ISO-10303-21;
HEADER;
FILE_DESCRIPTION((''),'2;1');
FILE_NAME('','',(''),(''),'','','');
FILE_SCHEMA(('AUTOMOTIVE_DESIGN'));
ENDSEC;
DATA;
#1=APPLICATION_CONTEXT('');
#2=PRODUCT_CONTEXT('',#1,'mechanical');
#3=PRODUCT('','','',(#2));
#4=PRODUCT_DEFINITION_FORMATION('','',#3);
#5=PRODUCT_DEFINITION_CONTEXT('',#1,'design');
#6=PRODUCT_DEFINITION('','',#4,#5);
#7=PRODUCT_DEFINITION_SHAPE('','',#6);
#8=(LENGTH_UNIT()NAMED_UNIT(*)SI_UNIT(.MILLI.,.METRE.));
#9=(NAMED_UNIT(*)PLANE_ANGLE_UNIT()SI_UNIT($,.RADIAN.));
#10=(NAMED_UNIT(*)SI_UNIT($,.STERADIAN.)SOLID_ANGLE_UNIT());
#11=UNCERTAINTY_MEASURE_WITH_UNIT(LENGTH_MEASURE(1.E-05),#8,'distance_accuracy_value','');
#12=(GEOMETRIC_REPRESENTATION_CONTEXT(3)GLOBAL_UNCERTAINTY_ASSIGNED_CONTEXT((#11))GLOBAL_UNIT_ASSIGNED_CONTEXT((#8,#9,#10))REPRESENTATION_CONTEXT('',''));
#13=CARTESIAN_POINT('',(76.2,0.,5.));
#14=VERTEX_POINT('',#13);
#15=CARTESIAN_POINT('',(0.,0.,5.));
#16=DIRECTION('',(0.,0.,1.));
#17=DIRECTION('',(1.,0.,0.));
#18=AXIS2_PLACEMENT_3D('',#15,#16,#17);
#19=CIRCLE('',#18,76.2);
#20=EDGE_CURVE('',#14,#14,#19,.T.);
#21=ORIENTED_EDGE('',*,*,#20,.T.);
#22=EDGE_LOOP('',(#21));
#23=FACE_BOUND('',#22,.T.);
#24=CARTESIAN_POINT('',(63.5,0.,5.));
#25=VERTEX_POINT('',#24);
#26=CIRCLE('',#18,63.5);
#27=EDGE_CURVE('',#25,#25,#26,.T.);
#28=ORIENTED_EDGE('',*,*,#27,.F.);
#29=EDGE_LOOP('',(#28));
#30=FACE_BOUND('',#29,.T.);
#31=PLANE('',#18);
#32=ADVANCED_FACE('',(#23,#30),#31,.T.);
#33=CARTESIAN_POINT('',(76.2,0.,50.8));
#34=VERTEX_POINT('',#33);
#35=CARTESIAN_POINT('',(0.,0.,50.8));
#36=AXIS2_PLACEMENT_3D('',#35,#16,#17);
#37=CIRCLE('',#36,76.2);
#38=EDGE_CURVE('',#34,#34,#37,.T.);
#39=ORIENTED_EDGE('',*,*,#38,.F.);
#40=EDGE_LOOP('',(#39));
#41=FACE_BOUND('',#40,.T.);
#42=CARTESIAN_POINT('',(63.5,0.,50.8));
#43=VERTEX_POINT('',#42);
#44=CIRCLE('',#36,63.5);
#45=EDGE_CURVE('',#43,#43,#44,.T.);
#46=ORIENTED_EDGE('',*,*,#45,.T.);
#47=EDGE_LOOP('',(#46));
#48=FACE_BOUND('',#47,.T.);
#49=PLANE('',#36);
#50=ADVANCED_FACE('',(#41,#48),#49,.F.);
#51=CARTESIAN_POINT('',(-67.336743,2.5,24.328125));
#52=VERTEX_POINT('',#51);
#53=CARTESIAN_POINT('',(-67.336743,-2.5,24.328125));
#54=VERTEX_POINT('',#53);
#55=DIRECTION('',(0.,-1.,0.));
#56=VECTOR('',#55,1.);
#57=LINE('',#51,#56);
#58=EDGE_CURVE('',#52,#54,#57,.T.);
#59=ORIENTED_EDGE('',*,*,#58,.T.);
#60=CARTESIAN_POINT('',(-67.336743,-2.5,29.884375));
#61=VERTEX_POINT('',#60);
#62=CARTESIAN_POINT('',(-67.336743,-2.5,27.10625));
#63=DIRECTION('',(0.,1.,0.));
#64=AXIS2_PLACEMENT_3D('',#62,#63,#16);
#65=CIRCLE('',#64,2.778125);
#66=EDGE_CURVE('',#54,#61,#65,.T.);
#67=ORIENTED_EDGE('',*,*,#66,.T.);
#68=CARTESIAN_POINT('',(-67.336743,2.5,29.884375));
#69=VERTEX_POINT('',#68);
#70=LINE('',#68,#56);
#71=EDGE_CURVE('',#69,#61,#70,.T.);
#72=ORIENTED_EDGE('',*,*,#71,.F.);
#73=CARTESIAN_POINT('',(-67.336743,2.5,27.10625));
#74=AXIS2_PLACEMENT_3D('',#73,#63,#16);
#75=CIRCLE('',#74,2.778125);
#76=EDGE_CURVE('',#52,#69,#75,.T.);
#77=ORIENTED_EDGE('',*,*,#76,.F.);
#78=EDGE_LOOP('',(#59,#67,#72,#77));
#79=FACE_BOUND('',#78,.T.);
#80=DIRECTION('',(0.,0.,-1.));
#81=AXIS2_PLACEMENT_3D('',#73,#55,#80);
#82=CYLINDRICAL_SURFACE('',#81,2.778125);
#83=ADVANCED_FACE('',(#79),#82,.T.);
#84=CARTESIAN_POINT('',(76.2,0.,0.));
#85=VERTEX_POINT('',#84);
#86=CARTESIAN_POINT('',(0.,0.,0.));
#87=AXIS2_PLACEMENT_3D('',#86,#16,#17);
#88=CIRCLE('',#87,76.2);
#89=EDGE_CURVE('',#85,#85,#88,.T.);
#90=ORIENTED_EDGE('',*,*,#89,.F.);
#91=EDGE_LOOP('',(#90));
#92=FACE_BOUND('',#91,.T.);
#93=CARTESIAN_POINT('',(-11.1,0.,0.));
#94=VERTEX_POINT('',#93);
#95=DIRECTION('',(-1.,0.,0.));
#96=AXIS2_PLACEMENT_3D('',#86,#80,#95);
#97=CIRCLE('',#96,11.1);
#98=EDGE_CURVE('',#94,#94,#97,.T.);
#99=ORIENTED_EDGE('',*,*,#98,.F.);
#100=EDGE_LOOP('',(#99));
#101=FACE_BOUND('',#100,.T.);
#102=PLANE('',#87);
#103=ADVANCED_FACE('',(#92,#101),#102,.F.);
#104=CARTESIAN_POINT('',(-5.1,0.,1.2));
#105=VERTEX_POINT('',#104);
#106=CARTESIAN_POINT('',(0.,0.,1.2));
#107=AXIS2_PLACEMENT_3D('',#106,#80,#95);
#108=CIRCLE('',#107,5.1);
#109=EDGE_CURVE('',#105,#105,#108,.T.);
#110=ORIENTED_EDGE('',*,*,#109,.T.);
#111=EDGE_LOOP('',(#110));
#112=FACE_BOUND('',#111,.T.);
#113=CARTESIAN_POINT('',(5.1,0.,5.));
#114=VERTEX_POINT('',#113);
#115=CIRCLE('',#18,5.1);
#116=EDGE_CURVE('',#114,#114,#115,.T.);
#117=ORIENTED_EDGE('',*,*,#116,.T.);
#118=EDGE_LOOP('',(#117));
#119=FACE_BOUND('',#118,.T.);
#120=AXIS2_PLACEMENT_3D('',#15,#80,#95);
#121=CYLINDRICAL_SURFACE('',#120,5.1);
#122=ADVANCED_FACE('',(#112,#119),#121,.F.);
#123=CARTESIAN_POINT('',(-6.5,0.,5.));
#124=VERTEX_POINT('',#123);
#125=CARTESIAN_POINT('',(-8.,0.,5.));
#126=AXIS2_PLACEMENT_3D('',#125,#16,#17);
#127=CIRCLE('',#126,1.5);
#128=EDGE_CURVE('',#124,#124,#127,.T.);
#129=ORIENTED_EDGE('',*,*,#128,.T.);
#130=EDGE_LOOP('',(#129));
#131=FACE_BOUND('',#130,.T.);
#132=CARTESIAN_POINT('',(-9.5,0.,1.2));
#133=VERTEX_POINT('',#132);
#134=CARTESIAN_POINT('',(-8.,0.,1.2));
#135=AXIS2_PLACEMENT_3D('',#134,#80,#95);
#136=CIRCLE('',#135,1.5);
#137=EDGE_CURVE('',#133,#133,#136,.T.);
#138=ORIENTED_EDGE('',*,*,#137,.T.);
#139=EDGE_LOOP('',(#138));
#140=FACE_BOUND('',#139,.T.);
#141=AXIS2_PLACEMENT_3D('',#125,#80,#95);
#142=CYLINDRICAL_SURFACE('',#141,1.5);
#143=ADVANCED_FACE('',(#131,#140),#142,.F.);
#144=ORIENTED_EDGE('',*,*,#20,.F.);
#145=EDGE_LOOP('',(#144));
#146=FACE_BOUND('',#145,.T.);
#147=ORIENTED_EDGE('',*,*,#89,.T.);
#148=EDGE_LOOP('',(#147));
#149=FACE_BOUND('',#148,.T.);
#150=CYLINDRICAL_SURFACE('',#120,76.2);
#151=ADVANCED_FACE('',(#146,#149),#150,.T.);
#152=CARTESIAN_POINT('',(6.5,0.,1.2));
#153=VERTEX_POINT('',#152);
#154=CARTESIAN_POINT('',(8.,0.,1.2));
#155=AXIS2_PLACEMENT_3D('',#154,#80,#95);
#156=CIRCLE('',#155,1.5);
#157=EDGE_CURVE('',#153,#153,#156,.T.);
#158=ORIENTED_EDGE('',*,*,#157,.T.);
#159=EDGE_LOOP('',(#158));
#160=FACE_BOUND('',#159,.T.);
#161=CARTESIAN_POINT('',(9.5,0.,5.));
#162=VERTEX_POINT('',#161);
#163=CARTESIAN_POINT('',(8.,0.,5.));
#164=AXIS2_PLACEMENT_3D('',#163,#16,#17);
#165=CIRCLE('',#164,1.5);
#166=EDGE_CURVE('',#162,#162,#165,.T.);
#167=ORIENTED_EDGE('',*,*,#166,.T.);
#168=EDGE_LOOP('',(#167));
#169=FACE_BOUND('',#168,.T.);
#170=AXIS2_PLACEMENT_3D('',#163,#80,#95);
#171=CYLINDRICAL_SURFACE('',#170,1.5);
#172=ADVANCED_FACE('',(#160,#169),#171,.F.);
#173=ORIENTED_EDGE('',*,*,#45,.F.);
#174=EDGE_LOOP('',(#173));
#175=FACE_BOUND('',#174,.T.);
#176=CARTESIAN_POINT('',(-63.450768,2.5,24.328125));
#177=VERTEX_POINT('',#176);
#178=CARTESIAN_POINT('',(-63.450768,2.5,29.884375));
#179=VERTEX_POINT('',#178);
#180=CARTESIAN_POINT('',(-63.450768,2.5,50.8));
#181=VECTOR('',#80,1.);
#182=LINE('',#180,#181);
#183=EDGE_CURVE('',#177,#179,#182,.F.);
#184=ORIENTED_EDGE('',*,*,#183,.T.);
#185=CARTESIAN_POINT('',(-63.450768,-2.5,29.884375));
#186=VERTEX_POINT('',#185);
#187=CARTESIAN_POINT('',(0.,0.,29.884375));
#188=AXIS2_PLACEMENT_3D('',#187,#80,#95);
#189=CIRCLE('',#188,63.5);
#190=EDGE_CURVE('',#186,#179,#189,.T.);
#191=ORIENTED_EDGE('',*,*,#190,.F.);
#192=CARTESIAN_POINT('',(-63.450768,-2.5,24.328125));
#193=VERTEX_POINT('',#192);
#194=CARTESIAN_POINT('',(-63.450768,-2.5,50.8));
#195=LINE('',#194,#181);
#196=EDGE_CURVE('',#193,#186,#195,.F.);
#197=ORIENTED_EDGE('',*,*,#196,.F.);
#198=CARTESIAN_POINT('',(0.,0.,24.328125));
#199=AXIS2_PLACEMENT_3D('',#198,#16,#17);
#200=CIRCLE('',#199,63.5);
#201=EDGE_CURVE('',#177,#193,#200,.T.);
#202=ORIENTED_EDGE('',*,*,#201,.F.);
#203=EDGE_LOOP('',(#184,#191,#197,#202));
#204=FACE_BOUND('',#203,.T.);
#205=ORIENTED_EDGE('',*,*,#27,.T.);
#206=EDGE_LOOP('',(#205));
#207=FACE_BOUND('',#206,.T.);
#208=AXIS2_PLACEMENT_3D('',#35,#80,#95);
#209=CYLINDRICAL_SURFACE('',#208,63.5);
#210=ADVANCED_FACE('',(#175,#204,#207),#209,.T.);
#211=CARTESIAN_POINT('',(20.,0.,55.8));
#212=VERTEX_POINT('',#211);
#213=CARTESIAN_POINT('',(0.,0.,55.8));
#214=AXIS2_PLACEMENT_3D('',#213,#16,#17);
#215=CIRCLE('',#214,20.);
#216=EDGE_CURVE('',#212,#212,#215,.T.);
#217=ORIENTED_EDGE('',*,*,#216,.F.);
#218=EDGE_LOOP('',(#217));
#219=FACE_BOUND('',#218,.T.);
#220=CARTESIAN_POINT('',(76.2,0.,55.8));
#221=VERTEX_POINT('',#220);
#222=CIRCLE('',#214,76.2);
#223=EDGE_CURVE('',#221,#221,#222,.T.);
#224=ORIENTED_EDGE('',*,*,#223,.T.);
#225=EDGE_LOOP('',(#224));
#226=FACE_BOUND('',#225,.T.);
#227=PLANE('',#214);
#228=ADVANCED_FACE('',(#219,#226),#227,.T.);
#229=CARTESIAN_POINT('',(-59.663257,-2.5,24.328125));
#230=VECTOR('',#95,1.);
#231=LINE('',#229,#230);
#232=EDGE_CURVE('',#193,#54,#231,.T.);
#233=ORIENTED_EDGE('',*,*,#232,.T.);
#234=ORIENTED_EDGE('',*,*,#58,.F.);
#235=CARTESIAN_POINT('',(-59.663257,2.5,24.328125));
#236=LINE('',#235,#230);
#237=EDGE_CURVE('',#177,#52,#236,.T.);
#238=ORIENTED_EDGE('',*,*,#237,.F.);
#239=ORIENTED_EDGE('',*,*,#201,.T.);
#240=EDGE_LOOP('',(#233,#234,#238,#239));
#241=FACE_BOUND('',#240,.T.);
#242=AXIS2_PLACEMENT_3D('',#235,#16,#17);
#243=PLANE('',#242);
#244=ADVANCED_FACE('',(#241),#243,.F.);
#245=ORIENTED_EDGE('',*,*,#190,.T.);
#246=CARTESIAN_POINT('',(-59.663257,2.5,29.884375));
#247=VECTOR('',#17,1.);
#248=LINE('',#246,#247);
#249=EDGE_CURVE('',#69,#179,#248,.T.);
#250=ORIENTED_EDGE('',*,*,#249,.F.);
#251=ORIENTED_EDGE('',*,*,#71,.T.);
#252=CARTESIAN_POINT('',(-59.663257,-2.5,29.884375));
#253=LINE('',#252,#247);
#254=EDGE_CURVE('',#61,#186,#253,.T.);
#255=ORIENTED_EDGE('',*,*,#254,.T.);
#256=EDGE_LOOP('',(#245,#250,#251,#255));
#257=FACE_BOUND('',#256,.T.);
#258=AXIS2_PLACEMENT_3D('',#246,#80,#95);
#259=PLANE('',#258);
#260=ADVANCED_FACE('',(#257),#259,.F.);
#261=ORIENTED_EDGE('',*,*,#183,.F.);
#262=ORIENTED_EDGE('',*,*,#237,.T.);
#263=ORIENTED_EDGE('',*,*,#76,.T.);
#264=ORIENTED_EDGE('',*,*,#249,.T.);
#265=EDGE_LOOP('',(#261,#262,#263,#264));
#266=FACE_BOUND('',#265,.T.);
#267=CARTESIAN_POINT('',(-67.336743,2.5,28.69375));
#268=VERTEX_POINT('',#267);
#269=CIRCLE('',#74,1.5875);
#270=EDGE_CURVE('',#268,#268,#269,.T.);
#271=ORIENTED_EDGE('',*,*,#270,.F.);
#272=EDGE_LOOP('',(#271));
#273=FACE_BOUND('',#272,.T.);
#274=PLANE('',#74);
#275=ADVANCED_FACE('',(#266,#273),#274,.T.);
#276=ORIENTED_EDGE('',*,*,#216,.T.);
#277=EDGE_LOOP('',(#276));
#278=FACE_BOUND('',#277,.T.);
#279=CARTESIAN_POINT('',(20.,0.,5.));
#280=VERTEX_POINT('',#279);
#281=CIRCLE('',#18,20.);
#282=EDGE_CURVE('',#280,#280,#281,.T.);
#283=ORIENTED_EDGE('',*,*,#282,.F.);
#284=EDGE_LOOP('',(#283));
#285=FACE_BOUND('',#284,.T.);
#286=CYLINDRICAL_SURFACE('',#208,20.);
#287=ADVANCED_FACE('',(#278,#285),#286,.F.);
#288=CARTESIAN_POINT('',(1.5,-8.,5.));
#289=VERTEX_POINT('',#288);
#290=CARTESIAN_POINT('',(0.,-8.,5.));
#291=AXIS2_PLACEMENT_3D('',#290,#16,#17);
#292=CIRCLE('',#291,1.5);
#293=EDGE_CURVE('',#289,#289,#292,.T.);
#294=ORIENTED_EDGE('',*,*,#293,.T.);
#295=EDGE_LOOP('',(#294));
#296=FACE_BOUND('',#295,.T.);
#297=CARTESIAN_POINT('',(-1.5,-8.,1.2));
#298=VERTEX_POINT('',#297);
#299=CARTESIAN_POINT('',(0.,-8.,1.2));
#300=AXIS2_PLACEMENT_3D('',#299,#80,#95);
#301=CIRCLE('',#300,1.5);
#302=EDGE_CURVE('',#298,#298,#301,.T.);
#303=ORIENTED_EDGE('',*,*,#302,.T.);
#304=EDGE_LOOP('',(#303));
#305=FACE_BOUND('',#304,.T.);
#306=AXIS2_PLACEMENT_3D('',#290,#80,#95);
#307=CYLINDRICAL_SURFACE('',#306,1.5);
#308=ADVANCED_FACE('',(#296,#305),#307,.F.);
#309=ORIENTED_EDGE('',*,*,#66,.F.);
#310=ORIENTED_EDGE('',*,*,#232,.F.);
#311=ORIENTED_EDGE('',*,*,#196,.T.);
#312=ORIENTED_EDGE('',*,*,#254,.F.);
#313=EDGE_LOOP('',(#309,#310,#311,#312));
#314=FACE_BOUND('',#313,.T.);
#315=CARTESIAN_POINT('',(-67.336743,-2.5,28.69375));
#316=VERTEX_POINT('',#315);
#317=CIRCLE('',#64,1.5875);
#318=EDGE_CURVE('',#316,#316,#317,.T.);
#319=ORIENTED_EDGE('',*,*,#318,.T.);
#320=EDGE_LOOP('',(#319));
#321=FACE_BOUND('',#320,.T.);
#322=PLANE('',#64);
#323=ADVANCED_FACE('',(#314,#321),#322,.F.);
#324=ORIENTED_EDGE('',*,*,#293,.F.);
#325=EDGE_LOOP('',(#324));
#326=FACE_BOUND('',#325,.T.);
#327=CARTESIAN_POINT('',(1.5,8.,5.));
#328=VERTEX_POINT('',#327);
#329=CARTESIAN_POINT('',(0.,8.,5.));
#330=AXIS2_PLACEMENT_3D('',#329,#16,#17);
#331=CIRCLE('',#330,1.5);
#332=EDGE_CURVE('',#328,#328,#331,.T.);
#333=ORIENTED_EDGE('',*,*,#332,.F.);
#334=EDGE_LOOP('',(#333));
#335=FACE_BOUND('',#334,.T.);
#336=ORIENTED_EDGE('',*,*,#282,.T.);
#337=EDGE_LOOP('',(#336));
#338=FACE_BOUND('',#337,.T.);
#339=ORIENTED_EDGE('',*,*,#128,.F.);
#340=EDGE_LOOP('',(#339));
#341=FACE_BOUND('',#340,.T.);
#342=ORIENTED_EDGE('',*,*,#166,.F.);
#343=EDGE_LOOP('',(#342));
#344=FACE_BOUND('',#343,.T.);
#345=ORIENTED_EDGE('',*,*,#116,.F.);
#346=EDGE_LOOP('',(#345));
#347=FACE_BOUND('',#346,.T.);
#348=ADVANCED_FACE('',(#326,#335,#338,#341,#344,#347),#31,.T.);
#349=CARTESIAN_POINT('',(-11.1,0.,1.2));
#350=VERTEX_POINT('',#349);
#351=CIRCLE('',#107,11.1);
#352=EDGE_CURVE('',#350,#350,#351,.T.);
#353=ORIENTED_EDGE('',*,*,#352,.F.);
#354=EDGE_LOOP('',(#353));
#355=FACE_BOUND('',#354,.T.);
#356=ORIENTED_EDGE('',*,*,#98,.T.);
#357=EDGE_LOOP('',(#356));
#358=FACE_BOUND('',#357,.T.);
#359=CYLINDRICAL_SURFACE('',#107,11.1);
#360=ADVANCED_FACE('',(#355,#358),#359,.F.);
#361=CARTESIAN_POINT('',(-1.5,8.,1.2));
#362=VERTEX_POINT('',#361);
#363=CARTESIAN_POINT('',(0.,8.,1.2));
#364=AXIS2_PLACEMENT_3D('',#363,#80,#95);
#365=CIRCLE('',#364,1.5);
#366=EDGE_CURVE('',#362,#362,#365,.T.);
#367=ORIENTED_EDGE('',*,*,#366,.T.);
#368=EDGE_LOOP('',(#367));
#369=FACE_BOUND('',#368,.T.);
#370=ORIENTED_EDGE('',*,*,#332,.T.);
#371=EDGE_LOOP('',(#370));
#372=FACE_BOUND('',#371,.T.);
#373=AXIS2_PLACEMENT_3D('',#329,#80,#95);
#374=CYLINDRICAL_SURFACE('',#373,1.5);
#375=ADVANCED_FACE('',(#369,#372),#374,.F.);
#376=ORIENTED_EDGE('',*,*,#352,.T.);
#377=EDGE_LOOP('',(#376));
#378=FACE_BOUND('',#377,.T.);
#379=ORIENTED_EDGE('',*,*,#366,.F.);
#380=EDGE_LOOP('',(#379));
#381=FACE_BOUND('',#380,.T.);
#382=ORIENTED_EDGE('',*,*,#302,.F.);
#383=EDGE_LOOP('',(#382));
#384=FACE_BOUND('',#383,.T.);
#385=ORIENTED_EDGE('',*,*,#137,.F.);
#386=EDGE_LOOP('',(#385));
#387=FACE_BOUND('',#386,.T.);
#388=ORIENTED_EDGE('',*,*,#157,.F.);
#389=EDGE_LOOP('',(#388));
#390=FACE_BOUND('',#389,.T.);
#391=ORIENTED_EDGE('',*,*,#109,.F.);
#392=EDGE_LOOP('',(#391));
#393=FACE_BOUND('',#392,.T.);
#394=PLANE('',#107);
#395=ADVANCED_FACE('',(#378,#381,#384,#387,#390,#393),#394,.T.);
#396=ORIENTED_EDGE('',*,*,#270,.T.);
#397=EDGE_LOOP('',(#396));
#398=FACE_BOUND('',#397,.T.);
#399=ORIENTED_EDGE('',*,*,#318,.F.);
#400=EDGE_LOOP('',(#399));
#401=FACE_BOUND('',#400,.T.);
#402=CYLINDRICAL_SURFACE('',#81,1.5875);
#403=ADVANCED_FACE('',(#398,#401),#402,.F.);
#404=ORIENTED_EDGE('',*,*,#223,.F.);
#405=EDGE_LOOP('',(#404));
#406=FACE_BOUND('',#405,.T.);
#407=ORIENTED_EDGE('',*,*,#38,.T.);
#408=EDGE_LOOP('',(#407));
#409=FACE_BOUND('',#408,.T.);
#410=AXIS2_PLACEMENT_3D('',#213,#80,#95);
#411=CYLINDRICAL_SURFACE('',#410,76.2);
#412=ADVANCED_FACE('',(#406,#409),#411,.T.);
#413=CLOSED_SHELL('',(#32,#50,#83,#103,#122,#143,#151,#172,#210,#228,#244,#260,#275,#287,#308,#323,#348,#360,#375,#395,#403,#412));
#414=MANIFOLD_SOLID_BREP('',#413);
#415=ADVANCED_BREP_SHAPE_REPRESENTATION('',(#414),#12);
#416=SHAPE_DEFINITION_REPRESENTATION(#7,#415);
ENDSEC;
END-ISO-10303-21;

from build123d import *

# Parameters (mm, degrees)
SKETCH1_R           = 63.5
SKETCH1_R_2         = 20
BOSS_EXTRUDE1_DEPTH = 50.8
SKETCH3_R           = 76.2
SKETCH3_R_2         = 5.1
SKETCH3_R_3         = 1.5
BOSS_EXTRUDE2_DEPTH = 5
SKETCH4_R           = 76.2
SKETCH4_R_2         = 20
BOSS_EXTRUDE3_DEPTH = 5
SKETCH5_R           = 11.1
CUT_EXTRUDE1_DEPTH  = 1.2
SKETCH6_R           = 1.5875
BOSS_EXTRUDE4_DEPTH = 2.5


with BuildPart() as part:
    # Sketch1 → Boss-Extrude1 (new body)
    with BuildSketch(Plane.XY):
        Circle(SKETCH1_R)
        Circle(SKETCH1_R_2, mode=Mode.SUBTRACT)
    extrude(amount=BOSS_EXTRUDE1_DEPTH)

    # Sketch3 → Boss-Extrude2 (add)
    with BuildSketch(Plane.XY):
        Circle(SKETCH3_R)
        Circle(SKETCH3_R_2, mode=Mode.SUBTRACT)
        with Locations((0, 8)):
            Circle(SKETCH3_R_3, mode=Mode.SUBTRACT)
        with Locations((8, 0)):
            Circle(SKETCH3_R_3, mode=Mode.SUBTRACT)
        with Locations((0, -8)):
            Circle(SKETCH3_R_3, mode=Mode.SUBTRACT)
        with Locations((-8, 0)):
            Circle(SKETCH3_R_3, mode=Mode.SUBTRACT)
    extrude(amount=BOSS_EXTRUDE2_DEPTH)

    # Sketch4 → Boss-Extrude3 (add)
    with BuildSketch(Plane.XY.offset(50.8)):
        Circle(SKETCH4_R)
        Circle(SKETCH4_R_2, mode=Mode.SUBTRACT)
    extrude(amount=BOSS_EXTRUDE3_DEPTH)

    # Sketch5 → Cut-Extrude1 (cut)
    with BuildSketch(Plane(origin=(0, 0, 0), x_dir=(-1, 0, 0), z_dir=(0, 0, -1))):
        Circle(SKETCH5_R)
    extrude(amount=-CUT_EXTRUDE1_DEPTH, mode=Mode.SUBTRACT)

    # Sketch6 → Boss-Extrude4 (add, symmetric)
    with BuildSketch(Plane(origin=(0, 0, 0), x_dir=(1, 0, 0), z_dir=(0, 1, 0))):
        with BuildLine():
            Line((-59.663256535, -29.884375), (-59.663256535, -24.328125))
            Line((-59.663256535, -24.328125), (-67.336743465, -24.328125))
            ThreePointArc((-67.336743465, -24.328125), (-70.114868465, -27.10625), (-67.336743465, -29.884375))
            Line((-67.336743465, -29.884375), (-59.663256535, -29.884375))
        make_face()
        with Locations(Location((-67.336743465, -27.10625, 0), (0, 0, 270))):
            Circle(SKETCH6_R, mode=Mode.SUBTRACT)
    extrude(amount=BOSS_EXTRUDE4_DEPTH, both=True)


solid = part.part
